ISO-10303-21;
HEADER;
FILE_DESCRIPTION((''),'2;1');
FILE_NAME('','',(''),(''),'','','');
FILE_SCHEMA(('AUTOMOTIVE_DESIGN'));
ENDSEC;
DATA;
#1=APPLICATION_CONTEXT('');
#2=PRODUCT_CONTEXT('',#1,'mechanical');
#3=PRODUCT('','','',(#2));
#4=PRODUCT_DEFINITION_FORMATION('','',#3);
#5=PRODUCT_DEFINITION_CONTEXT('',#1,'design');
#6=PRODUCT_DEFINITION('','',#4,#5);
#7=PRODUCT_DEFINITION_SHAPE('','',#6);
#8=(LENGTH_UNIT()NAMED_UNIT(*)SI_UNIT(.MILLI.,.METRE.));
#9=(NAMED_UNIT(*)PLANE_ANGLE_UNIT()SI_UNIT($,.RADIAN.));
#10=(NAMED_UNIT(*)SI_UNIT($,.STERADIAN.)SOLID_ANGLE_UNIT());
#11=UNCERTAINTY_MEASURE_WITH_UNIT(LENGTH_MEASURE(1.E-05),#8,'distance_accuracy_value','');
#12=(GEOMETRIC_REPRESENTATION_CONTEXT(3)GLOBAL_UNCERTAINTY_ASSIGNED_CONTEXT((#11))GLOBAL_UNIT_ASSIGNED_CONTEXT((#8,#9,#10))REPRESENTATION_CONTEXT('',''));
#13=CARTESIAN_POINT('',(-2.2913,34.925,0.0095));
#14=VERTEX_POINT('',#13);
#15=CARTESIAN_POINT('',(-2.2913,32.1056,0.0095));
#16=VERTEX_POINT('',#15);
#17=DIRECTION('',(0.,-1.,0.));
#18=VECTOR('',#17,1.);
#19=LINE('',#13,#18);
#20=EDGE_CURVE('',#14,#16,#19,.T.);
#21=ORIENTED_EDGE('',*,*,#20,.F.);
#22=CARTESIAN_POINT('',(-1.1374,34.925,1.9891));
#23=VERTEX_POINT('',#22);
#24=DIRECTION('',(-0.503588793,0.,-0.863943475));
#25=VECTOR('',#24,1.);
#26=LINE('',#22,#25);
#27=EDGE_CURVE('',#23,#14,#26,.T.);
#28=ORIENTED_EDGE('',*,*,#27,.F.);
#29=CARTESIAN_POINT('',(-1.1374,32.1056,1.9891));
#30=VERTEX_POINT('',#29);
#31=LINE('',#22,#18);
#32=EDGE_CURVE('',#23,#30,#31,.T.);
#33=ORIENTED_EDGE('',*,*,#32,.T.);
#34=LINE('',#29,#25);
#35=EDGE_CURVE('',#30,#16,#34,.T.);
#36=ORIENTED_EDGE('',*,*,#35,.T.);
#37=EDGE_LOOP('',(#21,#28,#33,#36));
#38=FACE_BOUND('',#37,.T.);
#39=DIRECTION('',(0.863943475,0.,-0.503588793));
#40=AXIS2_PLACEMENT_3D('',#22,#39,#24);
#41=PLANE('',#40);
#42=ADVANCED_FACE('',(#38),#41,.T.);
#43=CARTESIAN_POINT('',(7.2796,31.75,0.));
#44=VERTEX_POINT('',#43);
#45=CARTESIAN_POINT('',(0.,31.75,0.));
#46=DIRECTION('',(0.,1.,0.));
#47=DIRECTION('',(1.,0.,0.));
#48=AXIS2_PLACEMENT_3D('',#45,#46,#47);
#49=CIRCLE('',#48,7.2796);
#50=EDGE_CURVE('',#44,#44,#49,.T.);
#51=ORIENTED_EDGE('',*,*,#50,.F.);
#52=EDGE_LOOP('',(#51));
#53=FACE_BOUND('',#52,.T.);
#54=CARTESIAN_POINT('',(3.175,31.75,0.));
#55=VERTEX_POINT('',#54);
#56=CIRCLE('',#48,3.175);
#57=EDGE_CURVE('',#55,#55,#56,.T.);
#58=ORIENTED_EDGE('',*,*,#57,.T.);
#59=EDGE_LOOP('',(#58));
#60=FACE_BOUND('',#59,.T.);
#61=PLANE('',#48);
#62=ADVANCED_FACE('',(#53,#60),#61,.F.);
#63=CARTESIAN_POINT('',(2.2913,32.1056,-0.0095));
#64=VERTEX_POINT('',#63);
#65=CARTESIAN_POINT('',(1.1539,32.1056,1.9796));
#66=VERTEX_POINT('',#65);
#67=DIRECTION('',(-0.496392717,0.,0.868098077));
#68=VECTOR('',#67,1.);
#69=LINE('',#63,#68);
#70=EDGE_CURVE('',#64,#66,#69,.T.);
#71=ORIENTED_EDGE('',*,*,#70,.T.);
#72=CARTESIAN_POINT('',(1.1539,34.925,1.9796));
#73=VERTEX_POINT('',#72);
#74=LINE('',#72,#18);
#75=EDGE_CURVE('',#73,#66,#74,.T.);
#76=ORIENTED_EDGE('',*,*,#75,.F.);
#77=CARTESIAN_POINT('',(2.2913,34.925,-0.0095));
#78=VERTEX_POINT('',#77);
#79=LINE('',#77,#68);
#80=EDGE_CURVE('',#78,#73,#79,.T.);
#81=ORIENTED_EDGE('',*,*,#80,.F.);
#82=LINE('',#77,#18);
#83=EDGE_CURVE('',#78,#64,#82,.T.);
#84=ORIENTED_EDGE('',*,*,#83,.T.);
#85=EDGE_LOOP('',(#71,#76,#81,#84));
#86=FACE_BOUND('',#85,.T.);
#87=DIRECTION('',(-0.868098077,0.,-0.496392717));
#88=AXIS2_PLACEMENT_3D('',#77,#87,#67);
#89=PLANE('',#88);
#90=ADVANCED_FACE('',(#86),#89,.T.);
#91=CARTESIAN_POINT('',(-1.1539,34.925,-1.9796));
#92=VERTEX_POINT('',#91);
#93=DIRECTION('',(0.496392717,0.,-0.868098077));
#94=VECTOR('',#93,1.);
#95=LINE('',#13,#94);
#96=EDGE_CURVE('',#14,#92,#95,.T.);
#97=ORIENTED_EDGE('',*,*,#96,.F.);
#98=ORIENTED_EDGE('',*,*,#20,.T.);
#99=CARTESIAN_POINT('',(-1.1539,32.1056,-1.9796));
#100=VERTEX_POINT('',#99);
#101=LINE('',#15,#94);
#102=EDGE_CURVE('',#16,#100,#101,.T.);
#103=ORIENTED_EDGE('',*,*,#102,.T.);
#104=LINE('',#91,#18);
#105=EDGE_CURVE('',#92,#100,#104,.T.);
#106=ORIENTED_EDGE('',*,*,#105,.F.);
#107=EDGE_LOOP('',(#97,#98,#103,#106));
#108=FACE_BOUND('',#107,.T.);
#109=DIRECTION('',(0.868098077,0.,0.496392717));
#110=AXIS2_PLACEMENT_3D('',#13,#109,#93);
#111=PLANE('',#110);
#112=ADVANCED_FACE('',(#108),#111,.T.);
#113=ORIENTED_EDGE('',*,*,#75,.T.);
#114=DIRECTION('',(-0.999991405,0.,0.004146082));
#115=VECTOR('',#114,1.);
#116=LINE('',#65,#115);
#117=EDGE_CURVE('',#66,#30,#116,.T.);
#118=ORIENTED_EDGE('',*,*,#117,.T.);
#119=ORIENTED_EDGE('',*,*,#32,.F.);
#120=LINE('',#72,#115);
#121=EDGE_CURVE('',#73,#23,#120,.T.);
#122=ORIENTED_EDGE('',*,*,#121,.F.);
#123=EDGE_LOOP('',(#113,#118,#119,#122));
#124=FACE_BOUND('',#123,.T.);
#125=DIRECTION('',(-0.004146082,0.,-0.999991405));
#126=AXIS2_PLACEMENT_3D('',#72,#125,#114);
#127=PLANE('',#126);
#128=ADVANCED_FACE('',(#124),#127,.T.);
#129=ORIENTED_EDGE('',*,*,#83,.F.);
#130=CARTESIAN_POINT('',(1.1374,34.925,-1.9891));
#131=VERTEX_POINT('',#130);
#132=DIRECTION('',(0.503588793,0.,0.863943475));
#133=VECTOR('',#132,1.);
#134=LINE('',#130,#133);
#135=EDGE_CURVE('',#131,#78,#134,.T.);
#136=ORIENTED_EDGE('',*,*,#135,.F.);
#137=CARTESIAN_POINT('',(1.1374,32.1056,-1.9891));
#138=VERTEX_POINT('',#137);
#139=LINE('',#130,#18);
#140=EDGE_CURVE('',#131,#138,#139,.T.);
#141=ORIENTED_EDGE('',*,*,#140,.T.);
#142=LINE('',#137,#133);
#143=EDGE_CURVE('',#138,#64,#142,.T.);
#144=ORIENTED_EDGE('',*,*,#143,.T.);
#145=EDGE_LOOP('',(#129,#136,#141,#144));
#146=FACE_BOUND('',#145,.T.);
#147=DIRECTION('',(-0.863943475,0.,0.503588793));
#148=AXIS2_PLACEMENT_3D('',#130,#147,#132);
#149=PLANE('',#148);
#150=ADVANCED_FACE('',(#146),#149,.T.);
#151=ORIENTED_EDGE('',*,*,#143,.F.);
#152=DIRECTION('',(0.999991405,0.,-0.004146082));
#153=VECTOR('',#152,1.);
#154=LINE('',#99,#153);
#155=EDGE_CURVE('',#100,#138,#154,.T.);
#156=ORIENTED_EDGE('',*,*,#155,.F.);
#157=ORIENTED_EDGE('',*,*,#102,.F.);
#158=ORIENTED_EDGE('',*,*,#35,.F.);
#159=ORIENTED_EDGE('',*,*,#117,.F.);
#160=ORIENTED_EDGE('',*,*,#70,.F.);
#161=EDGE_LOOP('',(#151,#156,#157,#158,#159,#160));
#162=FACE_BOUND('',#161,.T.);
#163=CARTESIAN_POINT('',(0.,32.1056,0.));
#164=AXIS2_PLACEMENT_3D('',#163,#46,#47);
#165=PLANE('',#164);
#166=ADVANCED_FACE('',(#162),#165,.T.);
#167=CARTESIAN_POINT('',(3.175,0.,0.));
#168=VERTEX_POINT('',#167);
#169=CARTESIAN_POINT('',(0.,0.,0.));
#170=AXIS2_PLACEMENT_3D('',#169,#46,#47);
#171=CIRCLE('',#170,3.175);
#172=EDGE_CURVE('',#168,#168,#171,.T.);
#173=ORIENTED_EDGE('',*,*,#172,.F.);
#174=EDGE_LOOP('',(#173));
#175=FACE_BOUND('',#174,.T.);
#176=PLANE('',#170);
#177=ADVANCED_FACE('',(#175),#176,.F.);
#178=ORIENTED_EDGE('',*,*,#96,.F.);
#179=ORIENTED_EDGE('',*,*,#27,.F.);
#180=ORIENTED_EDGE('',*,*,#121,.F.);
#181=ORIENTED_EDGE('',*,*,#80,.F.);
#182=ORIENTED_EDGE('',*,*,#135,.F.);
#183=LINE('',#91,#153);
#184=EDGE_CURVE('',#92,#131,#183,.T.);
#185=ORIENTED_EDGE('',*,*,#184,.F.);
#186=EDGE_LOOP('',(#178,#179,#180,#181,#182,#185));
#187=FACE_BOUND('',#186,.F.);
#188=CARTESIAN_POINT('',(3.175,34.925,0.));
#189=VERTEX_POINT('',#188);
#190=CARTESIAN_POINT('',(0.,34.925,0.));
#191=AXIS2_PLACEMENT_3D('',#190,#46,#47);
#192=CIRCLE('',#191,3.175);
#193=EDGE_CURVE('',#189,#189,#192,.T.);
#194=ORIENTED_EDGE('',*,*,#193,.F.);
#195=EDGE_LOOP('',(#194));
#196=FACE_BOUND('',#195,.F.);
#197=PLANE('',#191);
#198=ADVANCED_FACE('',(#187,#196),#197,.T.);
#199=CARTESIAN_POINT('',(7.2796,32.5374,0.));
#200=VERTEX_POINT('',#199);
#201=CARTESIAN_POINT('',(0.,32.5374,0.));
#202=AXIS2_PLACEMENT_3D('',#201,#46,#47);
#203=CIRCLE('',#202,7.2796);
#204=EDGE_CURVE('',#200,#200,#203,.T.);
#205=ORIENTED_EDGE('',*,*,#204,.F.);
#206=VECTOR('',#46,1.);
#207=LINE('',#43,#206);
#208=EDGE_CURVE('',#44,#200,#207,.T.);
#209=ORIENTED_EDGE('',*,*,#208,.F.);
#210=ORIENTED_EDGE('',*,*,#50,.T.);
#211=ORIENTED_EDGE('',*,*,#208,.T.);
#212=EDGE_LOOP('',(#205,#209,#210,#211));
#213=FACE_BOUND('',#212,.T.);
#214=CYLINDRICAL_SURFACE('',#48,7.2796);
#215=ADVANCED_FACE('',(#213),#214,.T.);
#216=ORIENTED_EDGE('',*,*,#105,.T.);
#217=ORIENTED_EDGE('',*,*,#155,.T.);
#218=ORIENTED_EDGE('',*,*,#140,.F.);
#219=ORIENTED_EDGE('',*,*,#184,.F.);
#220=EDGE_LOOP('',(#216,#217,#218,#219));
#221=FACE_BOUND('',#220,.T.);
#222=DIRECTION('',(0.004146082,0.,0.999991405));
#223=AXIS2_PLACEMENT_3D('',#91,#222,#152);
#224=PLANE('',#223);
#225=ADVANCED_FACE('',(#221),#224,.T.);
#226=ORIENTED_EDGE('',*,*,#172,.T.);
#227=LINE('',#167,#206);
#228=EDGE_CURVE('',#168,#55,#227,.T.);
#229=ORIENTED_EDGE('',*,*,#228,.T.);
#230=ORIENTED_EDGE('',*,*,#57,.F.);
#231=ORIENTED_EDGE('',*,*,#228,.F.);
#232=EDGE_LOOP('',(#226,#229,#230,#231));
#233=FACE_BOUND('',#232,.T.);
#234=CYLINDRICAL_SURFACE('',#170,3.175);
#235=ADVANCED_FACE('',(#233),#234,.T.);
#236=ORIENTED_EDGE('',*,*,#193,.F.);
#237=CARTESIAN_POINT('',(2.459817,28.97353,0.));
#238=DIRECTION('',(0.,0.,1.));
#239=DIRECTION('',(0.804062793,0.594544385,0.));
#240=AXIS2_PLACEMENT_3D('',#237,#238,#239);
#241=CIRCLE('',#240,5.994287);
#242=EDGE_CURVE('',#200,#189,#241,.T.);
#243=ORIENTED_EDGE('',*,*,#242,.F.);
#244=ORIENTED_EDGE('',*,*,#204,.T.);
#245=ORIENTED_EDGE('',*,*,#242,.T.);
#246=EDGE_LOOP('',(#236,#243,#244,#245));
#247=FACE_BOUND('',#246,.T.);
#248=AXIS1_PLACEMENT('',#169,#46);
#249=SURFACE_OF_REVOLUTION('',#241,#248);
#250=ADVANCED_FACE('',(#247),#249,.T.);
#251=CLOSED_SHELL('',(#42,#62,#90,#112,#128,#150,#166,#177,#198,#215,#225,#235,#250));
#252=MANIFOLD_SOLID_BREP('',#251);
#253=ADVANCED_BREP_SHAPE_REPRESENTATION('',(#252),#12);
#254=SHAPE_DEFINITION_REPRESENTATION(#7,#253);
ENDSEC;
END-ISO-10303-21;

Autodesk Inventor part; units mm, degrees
ref_plane "YZ Plane" through (0, 0, 0) normal (1, 0, 0) x (0, 1, 0)
ref_plane "XZ Plane" through (0, 0, 0) normal (0, 1, 0) x (-1, 0, 0)
ref_plane "XY Plane" through (0, 0, 0) normal (0, 0, 1) x (1, 0, 0)
sketch "Sketch1" plane through (0, 0, 0) normal (0, 0, 1) x (1, 0, 0)
  line L0 (0, 0) -> (0, 34.925)
  line L1 (0, 0) -> (3.175, 0)
  line L2 (3.175, 0) -> (3.175, 31.75)
  line L3 (3.175, 31.75) -> (7.2796, 31.75)
  line L4 (0, 34.925) -> (3.175, 34.925)
  line L5 (7.2796, 31.75) -> (7.2796, 32.5374)
  arc A0 (7.2796, 32.5374) -> (3.175, 34.925) centre (2.4597, 28.9734) ccw
  dimension "d1" = 3.175
  dimension "d2" = 31.75
  dimension "d3" = 34.925
  dimension "d6" = 3.175
  dimension "d9" = 4.1046
  dimension "d10" = 5.9944
  dimension "d11" = 0.7874
revolve "Revolution1" add sketch "Sketch1" angle 360 about axis through (0, 0, 0) along (0, 1, 0)
sketch "axle2" plane through (0, 34.925, 0) normal (0, 1, 0) x (1, 0, 0)
  line L0 (1.1539, -1.9796) -> (-1.1374, -1.9891)
  line L1 (-1.1374, -1.9891) -> (-2.2913, -0.0095)
  line L2 (-2.2913, -0.0095) -> (-1.1539, 1.9796)
  line L3 (-1.1539, 1.9796) -> (1.1374, 1.9891)
  line L4 (1.1374, 1.9891) -> (2.2913, 0.0095)
  line L5 (2.2913, 0.0095) -> (1.1539, -1.9796)
  point P0 (0, 0)
  point P1 (0, 0)
  dimension "d13" = 3.9688
  dimension "d14" = 1.9844
  dimension "d15" = 4.5827
sketch "Sketch3" plane through (0, 34.925, 0) normal (0, 1, 0) x (1, 0, 0)
  point P0 (0, 0)
extrude "Extrusion1" cut sketch "axle2" against normal blind 2.8194
thread "Thread1" size "1/4-20 UNC" class "2A" standard "ANSI Unified Screw Threads" length 25.4
properties part number "Sun_AxlePeg"
